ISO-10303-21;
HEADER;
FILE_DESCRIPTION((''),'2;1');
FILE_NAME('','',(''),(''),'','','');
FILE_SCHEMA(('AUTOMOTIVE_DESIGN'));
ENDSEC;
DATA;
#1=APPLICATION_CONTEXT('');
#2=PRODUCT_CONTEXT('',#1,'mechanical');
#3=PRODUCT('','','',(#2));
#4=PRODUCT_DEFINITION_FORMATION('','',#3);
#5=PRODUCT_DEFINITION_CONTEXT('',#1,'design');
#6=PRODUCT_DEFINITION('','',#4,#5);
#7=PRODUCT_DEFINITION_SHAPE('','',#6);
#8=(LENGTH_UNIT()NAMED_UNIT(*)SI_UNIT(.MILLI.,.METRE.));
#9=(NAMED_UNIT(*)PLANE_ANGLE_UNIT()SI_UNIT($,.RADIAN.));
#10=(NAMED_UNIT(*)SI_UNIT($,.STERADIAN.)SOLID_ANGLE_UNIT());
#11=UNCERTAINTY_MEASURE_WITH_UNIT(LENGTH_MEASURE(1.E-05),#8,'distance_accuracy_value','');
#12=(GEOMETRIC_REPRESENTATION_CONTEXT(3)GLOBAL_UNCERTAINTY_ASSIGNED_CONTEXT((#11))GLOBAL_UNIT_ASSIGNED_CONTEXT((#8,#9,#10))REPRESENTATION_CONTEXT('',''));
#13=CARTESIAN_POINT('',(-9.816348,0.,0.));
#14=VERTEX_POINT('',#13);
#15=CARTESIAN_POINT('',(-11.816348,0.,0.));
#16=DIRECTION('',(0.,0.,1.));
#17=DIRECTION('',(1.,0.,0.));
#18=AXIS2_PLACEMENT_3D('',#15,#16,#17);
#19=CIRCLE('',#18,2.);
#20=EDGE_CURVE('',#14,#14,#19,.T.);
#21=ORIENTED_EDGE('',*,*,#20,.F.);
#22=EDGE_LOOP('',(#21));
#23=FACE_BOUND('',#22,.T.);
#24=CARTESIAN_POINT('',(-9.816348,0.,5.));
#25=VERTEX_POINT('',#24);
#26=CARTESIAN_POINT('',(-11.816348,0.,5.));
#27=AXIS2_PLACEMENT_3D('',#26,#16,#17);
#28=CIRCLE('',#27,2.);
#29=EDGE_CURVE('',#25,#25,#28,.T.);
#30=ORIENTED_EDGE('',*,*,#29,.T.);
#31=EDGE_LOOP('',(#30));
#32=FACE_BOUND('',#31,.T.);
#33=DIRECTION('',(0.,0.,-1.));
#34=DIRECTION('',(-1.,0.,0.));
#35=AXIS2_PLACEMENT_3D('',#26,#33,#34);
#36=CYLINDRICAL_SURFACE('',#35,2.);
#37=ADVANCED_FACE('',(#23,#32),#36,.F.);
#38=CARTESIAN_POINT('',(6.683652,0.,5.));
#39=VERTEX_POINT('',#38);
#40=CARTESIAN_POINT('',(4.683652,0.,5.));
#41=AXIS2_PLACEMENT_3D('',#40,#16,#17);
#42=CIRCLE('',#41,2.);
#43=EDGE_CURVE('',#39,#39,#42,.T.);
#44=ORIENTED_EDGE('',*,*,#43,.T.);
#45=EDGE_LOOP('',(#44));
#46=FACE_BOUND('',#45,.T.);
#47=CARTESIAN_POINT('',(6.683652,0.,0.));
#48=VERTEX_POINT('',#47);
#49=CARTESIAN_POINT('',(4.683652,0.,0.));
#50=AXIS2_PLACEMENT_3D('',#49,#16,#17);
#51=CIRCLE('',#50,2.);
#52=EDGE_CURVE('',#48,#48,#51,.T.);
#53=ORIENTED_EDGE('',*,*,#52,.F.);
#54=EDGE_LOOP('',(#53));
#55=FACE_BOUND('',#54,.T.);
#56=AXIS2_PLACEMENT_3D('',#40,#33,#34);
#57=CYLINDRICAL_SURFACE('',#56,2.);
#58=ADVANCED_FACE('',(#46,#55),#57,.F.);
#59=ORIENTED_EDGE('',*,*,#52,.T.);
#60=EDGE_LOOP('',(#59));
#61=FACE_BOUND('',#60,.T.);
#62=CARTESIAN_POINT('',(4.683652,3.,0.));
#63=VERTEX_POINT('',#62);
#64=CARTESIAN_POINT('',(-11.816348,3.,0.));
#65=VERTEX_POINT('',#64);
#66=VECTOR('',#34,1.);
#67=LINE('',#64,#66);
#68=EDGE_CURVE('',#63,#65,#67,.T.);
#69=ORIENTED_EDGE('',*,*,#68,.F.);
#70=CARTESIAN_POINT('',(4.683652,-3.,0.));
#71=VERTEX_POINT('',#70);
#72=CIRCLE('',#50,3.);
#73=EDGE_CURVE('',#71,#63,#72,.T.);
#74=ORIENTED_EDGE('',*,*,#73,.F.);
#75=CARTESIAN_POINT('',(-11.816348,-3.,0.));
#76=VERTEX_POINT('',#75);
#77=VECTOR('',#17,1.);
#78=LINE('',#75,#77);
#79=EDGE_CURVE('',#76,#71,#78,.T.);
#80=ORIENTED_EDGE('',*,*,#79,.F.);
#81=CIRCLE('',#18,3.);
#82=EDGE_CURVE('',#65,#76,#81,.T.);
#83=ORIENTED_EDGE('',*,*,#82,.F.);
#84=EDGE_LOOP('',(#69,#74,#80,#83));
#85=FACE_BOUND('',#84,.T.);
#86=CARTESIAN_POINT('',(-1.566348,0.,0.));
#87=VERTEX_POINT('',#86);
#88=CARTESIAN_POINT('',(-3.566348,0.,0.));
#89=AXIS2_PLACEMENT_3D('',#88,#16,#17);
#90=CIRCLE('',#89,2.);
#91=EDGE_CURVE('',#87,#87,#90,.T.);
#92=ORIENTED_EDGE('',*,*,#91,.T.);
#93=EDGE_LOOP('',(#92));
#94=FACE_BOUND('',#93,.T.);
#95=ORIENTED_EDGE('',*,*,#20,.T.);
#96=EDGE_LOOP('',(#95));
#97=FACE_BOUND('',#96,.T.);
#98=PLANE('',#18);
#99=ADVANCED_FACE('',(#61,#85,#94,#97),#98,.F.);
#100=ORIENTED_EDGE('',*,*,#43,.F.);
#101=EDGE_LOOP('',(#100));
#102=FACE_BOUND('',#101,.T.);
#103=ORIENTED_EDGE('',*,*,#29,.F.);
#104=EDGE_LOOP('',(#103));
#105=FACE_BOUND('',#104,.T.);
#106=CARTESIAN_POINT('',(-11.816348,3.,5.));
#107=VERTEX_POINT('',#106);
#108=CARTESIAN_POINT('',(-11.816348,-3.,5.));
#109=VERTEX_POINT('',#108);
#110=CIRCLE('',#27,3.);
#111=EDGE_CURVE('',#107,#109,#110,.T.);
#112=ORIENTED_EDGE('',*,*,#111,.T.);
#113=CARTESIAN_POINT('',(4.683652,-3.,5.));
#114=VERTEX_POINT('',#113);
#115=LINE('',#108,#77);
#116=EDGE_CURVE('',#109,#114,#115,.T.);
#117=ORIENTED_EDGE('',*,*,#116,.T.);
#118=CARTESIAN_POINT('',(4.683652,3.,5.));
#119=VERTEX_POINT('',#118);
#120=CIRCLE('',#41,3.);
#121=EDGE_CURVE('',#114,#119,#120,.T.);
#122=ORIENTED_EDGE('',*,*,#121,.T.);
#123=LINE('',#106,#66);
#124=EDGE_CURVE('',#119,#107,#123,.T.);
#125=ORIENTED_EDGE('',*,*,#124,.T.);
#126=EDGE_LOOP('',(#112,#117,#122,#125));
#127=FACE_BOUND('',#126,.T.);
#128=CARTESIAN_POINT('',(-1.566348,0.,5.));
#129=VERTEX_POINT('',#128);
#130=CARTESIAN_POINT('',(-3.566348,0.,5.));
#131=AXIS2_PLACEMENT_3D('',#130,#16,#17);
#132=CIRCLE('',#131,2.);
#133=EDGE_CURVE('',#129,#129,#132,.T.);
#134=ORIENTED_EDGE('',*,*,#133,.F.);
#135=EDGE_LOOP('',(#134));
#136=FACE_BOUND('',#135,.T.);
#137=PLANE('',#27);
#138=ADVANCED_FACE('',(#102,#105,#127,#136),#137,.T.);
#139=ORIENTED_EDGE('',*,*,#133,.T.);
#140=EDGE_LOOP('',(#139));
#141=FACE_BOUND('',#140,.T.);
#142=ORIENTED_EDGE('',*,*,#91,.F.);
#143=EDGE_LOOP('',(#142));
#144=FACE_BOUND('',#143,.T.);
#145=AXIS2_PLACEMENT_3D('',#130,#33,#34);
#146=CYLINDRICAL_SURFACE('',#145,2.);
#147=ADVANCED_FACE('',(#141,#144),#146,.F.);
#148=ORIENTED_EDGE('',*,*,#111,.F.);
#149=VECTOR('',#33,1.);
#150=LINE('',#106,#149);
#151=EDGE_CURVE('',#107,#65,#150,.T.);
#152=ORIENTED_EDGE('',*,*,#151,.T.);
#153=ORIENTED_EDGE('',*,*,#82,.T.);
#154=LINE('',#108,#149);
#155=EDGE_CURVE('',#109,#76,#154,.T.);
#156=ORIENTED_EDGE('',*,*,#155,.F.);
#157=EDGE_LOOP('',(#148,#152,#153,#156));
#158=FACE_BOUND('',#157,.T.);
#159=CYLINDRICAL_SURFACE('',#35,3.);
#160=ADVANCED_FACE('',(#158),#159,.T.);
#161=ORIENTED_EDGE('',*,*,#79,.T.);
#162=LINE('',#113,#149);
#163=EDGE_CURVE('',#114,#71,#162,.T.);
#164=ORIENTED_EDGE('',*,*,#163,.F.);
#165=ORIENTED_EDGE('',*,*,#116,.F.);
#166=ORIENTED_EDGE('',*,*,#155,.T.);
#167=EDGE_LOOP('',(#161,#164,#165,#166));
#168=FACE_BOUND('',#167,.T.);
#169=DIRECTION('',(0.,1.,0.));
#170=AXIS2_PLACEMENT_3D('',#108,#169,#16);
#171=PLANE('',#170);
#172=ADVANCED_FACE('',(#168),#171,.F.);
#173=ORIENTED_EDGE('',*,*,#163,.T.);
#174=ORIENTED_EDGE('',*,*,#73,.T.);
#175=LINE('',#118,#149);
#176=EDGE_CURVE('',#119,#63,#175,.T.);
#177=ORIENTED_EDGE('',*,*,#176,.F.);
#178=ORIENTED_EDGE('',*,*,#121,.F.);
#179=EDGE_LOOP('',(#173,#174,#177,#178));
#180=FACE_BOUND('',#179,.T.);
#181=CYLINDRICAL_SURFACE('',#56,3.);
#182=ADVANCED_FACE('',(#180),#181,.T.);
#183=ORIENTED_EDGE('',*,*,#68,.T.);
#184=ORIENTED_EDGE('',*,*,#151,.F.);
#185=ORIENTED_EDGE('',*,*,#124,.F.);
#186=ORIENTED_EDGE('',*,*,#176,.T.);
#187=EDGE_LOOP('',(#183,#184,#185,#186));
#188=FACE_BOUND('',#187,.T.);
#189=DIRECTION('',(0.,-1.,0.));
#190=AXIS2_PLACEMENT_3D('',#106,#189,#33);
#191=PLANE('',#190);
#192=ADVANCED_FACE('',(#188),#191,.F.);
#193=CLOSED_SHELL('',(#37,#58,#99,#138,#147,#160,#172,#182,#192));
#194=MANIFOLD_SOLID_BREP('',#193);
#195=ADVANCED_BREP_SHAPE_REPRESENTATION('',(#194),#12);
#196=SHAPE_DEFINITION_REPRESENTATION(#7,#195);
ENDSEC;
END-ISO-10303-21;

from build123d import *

# Parameters (mm, degrees)
SKETCH1_R           = 2
BOSS_EXTRUDE1_DEPTH = 5


with BuildPart() as part:
    # Sketch1 → Boss-Extrude1 (new body)
    with BuildSketch(Plane.XY):
        with BuildLine():
            Line((-11.81634754, 3), (4.68365246, 3))
            ThreePointArc((4.68365246, 3), (7.68365246, 0), (4.68365246, -3))
            Line((4.68365246, -3), (-11.81634754, -3))
            ThreePointArc((-11.81634754, -3), (-14.81634754, 0), (-11.81634754, 3))
        make_face()
        with Locations((-11.81634754, 0)):
            Circle(SKETCH1_R, mode=Mode.SUBTRACT)
        with Locations((4.68365246, 0)):
            Circle(SKETCH1_R, mode=Mode.SUBTRACT)
        with Locations((-3.56634754, 0)):
            Circle(SKETCH1_R, mode=Mode.SUBTRACT)
    extrude(amount=BOSS_EXTRUDE1_DEPTH)


solid = part.part
